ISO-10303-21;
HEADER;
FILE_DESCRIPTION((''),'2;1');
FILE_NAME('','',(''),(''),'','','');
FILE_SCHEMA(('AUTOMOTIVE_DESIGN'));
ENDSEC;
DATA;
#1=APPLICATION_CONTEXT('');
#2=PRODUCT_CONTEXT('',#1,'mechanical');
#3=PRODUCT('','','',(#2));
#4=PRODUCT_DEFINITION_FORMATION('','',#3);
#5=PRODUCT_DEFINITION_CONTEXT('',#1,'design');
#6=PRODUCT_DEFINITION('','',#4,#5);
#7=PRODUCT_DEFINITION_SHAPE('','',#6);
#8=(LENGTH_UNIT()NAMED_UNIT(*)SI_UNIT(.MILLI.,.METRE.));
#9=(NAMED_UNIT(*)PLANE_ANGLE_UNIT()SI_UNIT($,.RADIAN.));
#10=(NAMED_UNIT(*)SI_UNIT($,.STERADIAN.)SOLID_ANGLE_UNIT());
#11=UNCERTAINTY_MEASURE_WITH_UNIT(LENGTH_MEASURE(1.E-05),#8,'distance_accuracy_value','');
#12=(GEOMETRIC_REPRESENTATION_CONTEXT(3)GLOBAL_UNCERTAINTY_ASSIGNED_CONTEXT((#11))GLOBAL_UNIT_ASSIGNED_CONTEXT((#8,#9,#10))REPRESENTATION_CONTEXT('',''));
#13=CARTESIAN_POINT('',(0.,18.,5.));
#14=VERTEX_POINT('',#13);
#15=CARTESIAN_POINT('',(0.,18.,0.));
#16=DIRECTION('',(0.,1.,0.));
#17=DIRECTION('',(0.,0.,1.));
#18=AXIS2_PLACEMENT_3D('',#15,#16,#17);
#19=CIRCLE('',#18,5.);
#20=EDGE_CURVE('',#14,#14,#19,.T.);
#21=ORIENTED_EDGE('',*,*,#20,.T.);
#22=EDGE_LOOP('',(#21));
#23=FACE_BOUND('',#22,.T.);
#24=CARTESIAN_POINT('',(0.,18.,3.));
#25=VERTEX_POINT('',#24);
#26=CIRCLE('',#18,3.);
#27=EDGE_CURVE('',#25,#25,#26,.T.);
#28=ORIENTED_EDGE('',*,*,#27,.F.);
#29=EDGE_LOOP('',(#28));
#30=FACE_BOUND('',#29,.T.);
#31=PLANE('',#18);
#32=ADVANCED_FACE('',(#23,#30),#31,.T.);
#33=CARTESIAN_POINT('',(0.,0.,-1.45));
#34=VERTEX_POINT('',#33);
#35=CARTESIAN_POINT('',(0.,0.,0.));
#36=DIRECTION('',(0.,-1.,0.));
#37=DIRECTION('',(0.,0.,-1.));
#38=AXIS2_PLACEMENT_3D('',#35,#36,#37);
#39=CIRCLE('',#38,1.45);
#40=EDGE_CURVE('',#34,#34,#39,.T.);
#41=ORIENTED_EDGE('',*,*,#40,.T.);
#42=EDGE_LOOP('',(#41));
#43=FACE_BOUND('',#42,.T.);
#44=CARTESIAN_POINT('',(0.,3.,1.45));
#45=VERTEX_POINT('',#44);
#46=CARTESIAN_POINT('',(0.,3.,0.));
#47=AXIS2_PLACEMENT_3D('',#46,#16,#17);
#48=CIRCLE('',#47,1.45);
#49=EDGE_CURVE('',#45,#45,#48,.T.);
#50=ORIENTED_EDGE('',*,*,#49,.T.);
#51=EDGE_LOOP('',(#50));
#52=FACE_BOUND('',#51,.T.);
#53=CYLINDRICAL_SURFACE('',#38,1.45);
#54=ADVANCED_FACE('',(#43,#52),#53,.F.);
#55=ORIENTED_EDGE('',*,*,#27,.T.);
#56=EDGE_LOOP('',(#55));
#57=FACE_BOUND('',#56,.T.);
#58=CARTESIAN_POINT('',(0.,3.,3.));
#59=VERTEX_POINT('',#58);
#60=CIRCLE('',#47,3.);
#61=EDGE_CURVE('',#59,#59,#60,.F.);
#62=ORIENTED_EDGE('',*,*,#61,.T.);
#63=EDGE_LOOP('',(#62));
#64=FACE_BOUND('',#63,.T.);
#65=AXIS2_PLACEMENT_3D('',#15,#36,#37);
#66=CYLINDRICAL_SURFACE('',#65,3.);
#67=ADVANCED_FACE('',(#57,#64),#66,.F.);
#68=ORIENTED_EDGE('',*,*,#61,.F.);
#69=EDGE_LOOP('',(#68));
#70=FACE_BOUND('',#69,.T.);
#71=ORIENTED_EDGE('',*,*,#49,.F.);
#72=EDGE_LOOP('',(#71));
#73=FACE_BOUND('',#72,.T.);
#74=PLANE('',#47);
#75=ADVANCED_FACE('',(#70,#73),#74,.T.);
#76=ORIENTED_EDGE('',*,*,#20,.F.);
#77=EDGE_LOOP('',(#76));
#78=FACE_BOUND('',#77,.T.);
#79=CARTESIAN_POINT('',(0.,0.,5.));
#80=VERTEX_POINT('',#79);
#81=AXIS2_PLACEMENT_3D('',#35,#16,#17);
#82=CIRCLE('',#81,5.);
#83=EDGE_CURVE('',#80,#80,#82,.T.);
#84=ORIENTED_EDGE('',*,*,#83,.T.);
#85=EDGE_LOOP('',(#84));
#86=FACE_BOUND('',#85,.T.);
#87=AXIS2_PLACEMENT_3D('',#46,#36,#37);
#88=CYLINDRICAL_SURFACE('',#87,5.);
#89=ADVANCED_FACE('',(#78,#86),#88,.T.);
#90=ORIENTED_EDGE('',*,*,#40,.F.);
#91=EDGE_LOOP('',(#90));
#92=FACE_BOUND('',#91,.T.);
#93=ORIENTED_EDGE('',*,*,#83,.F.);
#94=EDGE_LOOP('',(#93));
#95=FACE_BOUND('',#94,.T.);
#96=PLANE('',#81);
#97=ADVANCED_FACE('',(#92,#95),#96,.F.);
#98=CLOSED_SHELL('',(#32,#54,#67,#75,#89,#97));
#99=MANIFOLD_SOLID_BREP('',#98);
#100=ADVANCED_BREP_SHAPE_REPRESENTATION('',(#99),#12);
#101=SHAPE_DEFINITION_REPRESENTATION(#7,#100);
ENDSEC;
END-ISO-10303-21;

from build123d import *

# Parameters (mm, degrees)
ESBO_O1_R                     = 5
RESSALTO_EXTRUS_O1_DEPTH      = 3
ESBO_O2_R                     = 5
ESBO_O2_R_2                   = 3
RESSALTO_EXTRUS_O2_DEPTH      = 15
FURO_COM_FOLGA_DE_M2_51_D     = 2.9
FURO_COM_FOLGA_DE_M2_51_DEPTH = 4
FURO_COM_FOLGA_DE_M2_51_TIP   = 0.871247898


with BuildPart() as part:
    # Esboço1 → Ressalto-extrusão1 (new body)
    with BuildSketch(Plane(origin=(0, 0, 0), x_dir=(1, 0, 0), z_dir=(0, 1, 0))):
        with Locations(Location((0, 0, 0), (0, 0, 270))):
            Circle(ESBO_O1_R)
    extrude(amount=RESSALTO_EXTRUS_O1_DEPTH)

    # Esboço2 → Ressalto-extrusão2 (add)
    with BuildSketch(Plane(origin=(0, 3, 0), x_dir=(1, 0, 0), z_dir=(0, 1, 0))):
        with Locations(Location((0, 0, 0), (0, 0, 270))):
            Circle(ESBO_O2_R)
        with Locations(Location((0, 0, 0), (0, 0, 270))):
            Circle(ESBO_O2_R_2, mode=Mode.SUBTRACT)
    extrude(amount=RESSALTO_EXTRUS_O2_DEPTH)

    # Furo com folga de M2.51
    with Locations(Plane(origin=(0, 0, 0), x_dir=(0, 0, -1), z_dir=(0, -1, 0))):
        with Locations((0, 0)):
            Hole(FURO_COM_FOLGA_DE_M2_51_D / 2, depth=FURO_COM_FOLGA_DE_M2_51_DEPTH)
            with Locations((0, 0, -(FURO_COM_FOLGA_DE_M2_51_DEPTH + FURO_COM_FOLGA_DE_M2_51_TIP / 2))):  # 118° drill point
                Cone(0, FURO_COM_FOLGA_DE_M2_51_D / 2, FURO_COM_FOLGA_DE_M2_51_TIP, mode=Mode.SUBTRACT)


solid = part.part
